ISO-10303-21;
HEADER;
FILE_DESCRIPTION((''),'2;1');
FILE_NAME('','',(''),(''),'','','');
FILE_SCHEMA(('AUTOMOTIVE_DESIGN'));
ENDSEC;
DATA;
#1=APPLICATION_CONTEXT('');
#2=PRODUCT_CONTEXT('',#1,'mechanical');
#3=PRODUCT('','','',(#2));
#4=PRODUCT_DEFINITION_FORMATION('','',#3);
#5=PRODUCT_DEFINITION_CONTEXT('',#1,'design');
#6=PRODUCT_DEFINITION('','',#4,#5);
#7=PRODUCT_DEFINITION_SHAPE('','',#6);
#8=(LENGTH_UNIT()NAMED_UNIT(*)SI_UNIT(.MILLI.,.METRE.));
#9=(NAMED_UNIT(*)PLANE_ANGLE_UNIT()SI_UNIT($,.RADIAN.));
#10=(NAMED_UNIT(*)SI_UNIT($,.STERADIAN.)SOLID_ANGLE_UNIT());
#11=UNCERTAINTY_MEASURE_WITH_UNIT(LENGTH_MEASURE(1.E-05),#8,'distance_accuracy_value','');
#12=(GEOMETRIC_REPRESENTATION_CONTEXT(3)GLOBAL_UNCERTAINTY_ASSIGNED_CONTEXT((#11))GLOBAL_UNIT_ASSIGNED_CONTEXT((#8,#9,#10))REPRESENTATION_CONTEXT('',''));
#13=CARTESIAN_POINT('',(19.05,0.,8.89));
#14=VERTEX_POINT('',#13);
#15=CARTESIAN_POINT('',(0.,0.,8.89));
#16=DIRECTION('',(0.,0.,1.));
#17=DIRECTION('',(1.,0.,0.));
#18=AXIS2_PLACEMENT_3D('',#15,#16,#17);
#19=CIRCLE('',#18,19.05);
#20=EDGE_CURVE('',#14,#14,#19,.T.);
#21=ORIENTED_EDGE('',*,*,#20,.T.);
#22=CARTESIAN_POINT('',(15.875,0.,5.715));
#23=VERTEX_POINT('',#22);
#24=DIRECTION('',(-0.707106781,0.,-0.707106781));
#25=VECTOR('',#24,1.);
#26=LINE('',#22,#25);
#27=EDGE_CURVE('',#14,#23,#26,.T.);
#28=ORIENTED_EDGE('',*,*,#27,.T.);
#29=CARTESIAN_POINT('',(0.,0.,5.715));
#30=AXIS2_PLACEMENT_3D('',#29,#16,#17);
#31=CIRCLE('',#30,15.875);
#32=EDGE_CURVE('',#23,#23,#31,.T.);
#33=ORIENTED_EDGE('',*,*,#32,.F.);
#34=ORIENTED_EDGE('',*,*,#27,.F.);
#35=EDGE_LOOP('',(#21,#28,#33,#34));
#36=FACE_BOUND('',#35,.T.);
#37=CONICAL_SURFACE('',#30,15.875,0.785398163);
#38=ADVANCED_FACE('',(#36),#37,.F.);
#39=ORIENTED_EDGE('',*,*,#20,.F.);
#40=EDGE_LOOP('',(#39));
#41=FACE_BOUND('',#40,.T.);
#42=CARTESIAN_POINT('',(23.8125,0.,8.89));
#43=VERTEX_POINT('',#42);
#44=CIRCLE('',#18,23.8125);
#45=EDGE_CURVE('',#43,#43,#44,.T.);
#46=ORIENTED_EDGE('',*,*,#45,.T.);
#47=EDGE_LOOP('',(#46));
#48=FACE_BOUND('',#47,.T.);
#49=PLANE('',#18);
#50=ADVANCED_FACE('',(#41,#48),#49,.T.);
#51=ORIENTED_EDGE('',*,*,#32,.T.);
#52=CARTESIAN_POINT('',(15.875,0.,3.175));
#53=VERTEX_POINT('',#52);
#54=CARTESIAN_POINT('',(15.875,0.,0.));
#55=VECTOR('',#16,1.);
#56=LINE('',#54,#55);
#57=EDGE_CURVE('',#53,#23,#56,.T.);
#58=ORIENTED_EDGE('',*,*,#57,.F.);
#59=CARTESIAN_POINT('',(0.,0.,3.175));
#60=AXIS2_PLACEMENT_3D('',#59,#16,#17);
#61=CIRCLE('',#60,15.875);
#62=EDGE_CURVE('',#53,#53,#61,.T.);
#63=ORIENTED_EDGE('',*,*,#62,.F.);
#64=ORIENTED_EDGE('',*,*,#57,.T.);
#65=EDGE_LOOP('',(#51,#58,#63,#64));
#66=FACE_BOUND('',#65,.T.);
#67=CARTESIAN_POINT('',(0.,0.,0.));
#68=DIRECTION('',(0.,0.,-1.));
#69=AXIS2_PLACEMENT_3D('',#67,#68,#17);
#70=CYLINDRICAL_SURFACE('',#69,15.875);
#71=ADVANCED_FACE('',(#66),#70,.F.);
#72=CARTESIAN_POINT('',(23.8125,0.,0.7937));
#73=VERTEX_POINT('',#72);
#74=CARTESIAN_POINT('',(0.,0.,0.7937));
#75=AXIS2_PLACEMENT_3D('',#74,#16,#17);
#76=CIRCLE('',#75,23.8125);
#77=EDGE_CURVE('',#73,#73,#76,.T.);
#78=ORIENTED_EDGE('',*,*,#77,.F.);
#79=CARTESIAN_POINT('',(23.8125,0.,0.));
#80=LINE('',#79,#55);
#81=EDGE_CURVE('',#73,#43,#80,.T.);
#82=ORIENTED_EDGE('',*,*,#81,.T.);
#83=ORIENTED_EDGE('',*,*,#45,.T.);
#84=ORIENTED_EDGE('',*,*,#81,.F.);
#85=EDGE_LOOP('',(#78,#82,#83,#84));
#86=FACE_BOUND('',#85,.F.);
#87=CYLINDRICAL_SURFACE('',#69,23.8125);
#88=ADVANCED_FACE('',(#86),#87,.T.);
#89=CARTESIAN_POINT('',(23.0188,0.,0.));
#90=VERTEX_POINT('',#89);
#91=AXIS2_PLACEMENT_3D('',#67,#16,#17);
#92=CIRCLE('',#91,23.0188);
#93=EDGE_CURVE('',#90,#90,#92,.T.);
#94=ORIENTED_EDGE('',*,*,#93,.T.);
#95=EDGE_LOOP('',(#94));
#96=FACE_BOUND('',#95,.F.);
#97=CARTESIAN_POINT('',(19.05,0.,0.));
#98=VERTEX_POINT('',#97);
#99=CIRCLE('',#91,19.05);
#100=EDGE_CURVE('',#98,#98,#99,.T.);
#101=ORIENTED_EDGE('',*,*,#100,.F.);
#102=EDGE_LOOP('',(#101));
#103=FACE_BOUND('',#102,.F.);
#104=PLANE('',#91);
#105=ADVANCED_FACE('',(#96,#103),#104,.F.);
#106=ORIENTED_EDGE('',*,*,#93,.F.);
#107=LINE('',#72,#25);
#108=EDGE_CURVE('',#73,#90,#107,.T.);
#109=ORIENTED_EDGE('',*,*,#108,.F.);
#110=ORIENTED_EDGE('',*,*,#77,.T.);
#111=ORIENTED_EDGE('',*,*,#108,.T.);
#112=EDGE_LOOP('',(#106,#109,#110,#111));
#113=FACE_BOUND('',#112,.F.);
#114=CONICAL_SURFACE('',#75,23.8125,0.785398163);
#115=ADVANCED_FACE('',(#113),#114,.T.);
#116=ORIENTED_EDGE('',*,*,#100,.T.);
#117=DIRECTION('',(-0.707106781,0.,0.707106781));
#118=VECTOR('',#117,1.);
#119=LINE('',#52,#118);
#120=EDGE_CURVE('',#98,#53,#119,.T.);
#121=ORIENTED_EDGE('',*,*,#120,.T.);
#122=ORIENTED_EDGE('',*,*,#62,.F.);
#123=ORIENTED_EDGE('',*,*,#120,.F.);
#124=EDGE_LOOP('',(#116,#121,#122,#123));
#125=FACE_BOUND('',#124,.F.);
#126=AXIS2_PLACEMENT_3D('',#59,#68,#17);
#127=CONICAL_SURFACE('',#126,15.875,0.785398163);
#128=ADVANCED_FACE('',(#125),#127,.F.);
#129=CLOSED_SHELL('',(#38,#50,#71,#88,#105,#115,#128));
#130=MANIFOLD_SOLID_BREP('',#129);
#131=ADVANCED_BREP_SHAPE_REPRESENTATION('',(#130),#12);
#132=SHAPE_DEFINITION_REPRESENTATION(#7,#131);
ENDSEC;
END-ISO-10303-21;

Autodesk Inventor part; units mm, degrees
ref_plane "YZ Plane" through (0, 0, 0) normal (1, 0, 0) x (0, 1, 0)
ref_plane "XZ Plane" through (0, 0, 0) normal (0, 1, 0) x (-1, 0, 0)
ref_plane "XY Plane" through (0, 0, 0) normal (0, 0, 1) x (1, 0, 0)
sketch "Sketch1" plane through (0, 0, 0) normal (0, 0, 1) x (1, 0, 0)
  circle A0 centre (0, 0) radius 15.875
  circle A1 centre (0, 0) radius 23.8125
  dimension "d0" = 31.75
  dimension "d1" = 47.625
extrude "Extrusion1" add sketch "Sketch1" along normal blind 8.89
chamfer "Chamfer1" distance 0.7937 angle 45 1 edges at (-23.8125, 0, 0)
chamfer "Chamfer2" distance 3.175 angle 45 2 edges at (-15.875, 0, 8.89) (-15.875, 0, 0)
properties part number "Tire" material "Rubber, Silicone"
